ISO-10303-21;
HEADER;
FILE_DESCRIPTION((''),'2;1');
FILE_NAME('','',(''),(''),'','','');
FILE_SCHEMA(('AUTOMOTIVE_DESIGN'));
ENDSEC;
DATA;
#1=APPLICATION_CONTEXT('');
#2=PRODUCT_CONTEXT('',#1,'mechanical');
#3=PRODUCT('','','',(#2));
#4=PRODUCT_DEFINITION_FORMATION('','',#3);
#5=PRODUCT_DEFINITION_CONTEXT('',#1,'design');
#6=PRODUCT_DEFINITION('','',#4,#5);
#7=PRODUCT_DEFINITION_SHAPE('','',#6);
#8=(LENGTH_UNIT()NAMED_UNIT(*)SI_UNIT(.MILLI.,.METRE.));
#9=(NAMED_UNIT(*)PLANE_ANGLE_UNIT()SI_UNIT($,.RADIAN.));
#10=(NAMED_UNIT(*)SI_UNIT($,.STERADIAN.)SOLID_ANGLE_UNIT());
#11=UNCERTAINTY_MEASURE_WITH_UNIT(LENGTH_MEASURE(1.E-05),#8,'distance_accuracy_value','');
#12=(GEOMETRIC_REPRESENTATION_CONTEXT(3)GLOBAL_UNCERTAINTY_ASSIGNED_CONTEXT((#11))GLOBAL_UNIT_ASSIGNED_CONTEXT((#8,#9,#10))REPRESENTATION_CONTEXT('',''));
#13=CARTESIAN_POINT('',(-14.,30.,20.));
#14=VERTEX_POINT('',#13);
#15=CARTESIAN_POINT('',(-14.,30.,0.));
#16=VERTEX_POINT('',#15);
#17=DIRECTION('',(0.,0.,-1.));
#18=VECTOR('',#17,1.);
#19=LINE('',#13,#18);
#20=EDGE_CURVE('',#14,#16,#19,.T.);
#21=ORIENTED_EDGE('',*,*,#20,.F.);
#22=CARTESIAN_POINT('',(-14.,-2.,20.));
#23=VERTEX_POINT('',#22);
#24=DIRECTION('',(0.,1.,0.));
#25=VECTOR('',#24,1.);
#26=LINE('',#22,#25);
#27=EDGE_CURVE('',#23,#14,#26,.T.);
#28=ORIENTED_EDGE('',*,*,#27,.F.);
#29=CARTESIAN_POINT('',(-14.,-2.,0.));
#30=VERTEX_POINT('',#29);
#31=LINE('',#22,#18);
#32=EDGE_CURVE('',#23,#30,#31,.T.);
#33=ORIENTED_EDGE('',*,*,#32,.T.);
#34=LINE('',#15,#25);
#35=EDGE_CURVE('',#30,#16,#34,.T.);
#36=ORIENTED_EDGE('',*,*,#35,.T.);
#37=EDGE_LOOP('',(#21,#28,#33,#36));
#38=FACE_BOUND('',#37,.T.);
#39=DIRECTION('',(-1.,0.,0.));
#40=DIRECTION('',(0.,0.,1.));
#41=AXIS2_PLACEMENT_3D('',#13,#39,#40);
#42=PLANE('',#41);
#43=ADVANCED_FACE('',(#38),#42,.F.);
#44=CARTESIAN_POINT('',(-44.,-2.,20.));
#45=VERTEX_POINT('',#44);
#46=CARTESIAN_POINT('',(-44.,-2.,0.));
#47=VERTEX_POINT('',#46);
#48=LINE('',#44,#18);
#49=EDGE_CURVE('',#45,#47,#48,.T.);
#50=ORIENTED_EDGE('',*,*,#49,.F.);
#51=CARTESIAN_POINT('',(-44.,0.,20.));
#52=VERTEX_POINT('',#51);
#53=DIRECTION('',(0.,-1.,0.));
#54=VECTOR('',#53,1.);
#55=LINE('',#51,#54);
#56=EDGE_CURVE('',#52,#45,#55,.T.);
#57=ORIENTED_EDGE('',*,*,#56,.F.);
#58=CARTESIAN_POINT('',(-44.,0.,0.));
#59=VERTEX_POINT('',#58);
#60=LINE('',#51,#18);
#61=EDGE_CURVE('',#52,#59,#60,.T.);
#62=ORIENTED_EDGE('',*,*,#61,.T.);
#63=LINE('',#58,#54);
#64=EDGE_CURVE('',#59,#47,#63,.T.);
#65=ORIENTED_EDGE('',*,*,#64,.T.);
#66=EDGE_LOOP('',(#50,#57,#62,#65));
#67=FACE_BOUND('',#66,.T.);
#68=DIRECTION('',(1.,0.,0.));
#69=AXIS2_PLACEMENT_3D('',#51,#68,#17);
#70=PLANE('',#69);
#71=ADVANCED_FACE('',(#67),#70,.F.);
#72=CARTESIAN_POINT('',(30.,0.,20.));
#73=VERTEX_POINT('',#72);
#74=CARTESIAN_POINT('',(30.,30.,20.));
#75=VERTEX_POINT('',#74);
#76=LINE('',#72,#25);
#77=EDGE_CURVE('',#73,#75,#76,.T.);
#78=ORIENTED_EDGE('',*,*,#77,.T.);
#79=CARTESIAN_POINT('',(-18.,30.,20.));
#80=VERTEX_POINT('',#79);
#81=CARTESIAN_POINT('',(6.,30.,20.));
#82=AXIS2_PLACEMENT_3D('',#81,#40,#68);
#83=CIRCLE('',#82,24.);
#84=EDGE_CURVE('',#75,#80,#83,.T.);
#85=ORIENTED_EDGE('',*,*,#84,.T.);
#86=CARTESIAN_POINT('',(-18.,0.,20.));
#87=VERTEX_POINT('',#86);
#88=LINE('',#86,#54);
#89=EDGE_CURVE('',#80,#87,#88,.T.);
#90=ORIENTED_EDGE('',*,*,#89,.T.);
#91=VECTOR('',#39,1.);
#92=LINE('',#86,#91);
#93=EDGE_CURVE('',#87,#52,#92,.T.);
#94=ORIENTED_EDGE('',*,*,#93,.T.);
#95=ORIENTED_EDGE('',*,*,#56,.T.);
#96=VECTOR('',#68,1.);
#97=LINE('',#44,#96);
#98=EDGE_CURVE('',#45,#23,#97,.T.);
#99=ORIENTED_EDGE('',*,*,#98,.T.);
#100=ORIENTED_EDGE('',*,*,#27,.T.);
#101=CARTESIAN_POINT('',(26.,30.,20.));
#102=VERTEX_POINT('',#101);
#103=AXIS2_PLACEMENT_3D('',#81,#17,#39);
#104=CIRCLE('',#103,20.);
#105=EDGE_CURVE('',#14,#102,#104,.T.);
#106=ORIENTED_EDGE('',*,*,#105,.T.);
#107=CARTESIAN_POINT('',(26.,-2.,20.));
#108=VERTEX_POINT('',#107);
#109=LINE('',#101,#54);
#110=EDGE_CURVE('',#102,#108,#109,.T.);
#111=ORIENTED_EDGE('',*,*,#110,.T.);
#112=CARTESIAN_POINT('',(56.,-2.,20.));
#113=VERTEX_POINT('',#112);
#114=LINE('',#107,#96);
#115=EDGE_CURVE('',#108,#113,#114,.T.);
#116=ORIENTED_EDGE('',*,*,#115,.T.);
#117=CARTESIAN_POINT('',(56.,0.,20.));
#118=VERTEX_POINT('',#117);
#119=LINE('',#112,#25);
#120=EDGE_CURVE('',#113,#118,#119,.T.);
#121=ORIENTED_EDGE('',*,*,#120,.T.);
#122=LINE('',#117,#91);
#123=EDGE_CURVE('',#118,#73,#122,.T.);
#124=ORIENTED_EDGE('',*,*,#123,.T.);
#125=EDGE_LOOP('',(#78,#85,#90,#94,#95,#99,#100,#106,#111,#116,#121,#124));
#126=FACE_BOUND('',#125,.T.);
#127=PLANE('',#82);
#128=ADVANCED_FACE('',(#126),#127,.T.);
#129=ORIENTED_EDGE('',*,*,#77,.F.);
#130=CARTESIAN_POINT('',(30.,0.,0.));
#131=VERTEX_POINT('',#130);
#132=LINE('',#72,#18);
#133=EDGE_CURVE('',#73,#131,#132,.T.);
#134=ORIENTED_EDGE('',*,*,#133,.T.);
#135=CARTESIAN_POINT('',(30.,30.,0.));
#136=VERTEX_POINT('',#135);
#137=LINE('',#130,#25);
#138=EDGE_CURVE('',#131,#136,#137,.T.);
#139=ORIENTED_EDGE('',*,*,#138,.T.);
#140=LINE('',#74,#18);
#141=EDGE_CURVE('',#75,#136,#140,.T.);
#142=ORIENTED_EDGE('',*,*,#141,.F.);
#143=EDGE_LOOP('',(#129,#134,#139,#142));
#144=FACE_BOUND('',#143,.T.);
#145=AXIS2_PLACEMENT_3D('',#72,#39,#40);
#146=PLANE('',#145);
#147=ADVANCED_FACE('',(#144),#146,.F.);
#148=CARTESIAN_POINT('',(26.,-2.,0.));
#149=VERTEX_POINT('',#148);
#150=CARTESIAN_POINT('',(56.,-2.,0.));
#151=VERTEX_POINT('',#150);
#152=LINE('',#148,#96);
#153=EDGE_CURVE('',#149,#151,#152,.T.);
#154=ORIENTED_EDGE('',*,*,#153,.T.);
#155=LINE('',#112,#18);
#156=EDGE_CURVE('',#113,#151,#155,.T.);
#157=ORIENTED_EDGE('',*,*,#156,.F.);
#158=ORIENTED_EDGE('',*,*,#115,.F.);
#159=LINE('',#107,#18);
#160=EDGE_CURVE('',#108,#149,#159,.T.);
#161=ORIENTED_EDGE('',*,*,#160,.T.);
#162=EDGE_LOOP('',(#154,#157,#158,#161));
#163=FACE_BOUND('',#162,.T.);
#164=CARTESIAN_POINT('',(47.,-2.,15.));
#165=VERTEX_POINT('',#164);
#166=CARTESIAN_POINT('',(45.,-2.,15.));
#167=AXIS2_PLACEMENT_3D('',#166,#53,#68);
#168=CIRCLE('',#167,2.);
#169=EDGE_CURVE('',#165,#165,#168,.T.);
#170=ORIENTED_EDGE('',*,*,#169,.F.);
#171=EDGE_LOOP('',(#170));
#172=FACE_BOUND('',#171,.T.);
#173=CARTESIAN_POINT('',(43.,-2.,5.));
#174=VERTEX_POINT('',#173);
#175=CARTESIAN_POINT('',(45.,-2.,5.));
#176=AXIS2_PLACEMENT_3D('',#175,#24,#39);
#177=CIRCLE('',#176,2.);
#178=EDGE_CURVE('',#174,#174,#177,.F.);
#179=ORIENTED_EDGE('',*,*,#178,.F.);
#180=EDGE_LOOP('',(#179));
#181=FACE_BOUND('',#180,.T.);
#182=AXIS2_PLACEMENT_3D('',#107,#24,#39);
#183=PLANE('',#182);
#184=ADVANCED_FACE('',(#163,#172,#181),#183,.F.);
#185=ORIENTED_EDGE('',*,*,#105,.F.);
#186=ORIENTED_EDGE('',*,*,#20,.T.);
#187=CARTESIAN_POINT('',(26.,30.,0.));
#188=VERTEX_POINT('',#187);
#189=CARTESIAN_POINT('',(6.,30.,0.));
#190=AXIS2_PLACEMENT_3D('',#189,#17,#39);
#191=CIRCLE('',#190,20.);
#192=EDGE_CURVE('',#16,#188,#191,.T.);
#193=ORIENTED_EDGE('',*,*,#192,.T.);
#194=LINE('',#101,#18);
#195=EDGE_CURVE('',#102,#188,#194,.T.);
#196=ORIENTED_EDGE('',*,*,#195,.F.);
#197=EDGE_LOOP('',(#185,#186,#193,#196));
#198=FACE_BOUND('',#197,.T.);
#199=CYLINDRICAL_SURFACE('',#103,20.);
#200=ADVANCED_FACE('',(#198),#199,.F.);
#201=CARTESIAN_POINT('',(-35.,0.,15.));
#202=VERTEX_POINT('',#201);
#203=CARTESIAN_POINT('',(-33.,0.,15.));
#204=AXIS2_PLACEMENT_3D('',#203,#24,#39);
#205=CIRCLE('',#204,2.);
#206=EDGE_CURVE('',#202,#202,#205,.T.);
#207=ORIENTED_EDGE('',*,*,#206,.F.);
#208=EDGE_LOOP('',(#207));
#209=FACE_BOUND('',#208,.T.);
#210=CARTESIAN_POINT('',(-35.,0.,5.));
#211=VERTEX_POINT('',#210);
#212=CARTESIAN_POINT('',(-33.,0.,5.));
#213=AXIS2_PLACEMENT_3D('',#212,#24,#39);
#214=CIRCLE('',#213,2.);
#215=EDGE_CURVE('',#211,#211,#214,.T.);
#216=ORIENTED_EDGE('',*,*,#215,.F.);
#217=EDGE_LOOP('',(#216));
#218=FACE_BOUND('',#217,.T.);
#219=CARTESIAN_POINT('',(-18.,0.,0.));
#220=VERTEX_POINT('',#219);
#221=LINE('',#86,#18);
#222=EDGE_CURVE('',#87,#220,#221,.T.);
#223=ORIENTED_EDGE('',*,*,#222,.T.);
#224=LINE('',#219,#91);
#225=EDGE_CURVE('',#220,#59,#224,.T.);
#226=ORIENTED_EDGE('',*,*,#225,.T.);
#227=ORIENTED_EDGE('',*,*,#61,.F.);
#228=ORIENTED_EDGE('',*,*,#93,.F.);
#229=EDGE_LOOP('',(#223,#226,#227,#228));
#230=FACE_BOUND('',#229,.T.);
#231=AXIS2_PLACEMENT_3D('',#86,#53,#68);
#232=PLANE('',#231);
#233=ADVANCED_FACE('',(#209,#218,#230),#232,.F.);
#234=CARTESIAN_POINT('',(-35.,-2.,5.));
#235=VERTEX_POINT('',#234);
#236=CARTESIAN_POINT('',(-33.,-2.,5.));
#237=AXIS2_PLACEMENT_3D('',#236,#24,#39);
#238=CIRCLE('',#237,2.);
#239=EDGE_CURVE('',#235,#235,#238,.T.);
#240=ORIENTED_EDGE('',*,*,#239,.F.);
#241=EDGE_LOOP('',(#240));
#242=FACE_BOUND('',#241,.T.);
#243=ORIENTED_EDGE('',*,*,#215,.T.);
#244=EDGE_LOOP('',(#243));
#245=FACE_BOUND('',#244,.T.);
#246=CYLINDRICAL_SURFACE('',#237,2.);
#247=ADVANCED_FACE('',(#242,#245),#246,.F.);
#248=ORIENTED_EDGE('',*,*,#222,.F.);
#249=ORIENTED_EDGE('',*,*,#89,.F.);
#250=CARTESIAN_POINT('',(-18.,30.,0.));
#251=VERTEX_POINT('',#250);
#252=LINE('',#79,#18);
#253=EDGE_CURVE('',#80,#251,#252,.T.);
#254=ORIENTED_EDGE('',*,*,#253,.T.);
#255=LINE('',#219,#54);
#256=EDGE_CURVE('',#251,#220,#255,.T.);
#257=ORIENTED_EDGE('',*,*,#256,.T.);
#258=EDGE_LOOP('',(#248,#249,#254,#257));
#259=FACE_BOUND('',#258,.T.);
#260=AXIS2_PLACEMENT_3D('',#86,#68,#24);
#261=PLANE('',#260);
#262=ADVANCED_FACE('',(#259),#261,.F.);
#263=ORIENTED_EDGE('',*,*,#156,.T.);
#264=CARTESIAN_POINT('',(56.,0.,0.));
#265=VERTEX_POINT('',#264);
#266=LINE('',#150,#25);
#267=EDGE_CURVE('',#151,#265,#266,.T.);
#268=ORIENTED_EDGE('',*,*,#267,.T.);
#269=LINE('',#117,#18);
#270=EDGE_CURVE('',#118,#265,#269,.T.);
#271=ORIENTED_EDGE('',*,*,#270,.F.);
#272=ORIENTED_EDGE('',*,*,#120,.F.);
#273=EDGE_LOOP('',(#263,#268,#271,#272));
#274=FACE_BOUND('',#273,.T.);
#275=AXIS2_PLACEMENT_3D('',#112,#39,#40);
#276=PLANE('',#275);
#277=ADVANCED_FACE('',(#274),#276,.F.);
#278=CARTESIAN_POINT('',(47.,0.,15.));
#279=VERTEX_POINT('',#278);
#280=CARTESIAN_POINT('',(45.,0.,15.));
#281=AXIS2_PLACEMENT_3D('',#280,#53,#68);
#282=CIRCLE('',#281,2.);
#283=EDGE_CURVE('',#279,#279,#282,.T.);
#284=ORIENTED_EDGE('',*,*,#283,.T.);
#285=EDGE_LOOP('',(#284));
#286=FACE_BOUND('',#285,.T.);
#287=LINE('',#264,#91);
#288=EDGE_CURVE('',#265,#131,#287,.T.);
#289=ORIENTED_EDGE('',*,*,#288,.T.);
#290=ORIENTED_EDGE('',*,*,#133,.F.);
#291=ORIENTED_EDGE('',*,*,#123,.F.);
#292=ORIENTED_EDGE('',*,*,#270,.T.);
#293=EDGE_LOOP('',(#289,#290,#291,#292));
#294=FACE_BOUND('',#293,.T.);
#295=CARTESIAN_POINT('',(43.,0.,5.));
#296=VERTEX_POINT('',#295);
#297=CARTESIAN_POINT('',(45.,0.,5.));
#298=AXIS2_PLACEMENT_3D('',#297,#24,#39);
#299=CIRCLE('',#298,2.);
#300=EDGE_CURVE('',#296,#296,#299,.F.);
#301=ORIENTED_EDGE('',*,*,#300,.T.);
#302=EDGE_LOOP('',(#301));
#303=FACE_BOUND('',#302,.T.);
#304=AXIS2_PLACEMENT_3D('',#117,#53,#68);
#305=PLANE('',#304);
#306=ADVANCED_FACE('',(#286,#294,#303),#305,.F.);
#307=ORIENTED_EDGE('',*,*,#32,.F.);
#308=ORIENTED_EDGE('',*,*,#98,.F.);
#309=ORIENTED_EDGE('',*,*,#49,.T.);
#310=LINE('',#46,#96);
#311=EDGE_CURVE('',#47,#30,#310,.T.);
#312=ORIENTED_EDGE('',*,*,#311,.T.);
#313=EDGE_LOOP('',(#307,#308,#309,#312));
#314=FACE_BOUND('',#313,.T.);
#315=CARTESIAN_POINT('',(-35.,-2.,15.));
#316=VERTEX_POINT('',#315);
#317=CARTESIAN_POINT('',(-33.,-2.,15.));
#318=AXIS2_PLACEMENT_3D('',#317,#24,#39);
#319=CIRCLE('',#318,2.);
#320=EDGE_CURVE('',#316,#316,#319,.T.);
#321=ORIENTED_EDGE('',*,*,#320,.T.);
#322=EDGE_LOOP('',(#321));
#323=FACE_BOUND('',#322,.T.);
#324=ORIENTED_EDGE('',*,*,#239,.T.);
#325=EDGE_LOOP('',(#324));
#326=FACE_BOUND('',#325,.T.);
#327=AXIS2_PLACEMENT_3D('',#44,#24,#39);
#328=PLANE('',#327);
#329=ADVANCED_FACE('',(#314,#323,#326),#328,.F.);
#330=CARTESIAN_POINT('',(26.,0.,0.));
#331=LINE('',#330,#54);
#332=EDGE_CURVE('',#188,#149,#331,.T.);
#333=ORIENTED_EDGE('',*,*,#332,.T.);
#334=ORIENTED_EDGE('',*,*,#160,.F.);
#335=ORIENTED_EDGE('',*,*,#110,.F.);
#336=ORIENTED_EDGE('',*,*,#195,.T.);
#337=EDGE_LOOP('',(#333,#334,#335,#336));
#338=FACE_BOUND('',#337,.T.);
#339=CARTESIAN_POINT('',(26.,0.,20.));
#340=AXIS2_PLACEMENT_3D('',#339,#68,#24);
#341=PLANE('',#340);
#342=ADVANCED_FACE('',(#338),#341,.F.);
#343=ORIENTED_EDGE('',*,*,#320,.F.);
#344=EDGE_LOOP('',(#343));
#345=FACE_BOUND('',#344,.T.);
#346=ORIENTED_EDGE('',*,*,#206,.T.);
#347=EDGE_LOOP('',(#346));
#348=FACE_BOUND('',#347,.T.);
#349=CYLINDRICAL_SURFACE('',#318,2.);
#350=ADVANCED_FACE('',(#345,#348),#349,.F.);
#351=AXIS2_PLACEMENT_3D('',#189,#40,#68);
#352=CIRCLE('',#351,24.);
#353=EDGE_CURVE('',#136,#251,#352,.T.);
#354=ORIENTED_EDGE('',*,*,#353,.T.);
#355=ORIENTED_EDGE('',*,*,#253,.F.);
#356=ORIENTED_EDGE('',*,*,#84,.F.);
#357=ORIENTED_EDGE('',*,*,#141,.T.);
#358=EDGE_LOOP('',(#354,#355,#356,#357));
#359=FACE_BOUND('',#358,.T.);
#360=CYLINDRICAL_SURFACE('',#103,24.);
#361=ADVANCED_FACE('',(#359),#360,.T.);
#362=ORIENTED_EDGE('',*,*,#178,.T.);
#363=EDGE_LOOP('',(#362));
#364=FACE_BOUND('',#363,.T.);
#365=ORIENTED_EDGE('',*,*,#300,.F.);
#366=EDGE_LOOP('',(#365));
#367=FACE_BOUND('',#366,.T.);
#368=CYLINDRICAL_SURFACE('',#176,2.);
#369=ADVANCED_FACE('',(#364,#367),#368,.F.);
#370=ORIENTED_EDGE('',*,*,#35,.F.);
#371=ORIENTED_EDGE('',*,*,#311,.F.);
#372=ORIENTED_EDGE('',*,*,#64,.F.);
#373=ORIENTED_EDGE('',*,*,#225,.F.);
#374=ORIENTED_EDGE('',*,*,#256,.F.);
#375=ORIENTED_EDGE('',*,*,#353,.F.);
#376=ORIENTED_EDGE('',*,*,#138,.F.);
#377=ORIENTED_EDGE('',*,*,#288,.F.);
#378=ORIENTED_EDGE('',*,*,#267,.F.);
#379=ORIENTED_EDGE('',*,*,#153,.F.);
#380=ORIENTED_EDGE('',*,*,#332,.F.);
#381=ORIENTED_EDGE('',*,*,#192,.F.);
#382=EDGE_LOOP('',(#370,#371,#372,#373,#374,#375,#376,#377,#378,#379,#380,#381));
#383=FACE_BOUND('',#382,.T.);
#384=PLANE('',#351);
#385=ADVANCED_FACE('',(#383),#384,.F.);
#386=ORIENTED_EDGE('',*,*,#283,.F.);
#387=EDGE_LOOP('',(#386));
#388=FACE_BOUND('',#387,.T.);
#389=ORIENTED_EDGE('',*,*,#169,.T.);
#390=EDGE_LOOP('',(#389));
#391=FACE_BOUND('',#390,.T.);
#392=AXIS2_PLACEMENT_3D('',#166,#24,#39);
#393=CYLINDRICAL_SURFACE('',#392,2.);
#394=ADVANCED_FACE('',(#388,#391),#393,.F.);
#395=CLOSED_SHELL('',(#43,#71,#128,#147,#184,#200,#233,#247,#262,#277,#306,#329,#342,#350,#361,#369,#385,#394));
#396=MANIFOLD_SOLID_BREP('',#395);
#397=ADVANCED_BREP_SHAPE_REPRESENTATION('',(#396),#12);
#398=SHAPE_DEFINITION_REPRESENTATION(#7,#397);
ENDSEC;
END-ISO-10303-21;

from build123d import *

# Parameters (mm, degrees)
BOSS_EXTRUDE1_DEPTH = 20
SKETCH2_R           = 2
CUT_EXTRUDE1_DEPTH  = 81.324342512


with BuildPart() as part:
    # Sketch1 → Boss-Extrude1 (new body)
    with BuildSketch(Plane.XY):
        with BuildLine():
            Line((-18, 0), (-18, 30))
            ThreePointArc((-18, 30), (6, 54), (30, 30))
            Line((30, 30), (30, 0))
            Line((30, 0), (56, 0))
            Line((56, 0), (56, -2))
            Line((56, -2), (26, -2))
            Line((26, -2), (26, 0))
            Line((26, 0), (26, 30))
            ThreePointArc((26, 30), (6, 50), (-14, 30))
            Line((-14, 30), (-14, 0))
            Line((-14, 0), (-14, -2))
            Line((-14, -2), (-44, -2))
            Line((-44, -2), (-44, 0))
            Line((-44, 0), (-18, 0))
        make_face()
    extrude(amount=BOSS_EXTRUDE1_DEPTH)

    # Sketch2 → Cut-Extrude1 (cut, through all)
    with BuildSketch(Plane(origin=(0, 0, 0), x_dir=(1, 0, 0), z_dir=(0, 1, 0))):
        with Locations(Location((-33, -5, 0), (0, 0, 180))):
            Circle(SKETCH2_R)
        with Locations(Location((-33, -15, 0), (0, 0, 180))):
            Circle(SKETCH2_R)
        with Locations(Location((45, -5, 0), (0, 0, 180))):
            Circle(SKETCH2_R)
        with Locations((45, -15)):
            Circle(SKETCH2_R)
    extrude(amount=-CUT_EXTRUDE1_DEPTH, mode=Mode.SUBTRACT)


solid = part.part
